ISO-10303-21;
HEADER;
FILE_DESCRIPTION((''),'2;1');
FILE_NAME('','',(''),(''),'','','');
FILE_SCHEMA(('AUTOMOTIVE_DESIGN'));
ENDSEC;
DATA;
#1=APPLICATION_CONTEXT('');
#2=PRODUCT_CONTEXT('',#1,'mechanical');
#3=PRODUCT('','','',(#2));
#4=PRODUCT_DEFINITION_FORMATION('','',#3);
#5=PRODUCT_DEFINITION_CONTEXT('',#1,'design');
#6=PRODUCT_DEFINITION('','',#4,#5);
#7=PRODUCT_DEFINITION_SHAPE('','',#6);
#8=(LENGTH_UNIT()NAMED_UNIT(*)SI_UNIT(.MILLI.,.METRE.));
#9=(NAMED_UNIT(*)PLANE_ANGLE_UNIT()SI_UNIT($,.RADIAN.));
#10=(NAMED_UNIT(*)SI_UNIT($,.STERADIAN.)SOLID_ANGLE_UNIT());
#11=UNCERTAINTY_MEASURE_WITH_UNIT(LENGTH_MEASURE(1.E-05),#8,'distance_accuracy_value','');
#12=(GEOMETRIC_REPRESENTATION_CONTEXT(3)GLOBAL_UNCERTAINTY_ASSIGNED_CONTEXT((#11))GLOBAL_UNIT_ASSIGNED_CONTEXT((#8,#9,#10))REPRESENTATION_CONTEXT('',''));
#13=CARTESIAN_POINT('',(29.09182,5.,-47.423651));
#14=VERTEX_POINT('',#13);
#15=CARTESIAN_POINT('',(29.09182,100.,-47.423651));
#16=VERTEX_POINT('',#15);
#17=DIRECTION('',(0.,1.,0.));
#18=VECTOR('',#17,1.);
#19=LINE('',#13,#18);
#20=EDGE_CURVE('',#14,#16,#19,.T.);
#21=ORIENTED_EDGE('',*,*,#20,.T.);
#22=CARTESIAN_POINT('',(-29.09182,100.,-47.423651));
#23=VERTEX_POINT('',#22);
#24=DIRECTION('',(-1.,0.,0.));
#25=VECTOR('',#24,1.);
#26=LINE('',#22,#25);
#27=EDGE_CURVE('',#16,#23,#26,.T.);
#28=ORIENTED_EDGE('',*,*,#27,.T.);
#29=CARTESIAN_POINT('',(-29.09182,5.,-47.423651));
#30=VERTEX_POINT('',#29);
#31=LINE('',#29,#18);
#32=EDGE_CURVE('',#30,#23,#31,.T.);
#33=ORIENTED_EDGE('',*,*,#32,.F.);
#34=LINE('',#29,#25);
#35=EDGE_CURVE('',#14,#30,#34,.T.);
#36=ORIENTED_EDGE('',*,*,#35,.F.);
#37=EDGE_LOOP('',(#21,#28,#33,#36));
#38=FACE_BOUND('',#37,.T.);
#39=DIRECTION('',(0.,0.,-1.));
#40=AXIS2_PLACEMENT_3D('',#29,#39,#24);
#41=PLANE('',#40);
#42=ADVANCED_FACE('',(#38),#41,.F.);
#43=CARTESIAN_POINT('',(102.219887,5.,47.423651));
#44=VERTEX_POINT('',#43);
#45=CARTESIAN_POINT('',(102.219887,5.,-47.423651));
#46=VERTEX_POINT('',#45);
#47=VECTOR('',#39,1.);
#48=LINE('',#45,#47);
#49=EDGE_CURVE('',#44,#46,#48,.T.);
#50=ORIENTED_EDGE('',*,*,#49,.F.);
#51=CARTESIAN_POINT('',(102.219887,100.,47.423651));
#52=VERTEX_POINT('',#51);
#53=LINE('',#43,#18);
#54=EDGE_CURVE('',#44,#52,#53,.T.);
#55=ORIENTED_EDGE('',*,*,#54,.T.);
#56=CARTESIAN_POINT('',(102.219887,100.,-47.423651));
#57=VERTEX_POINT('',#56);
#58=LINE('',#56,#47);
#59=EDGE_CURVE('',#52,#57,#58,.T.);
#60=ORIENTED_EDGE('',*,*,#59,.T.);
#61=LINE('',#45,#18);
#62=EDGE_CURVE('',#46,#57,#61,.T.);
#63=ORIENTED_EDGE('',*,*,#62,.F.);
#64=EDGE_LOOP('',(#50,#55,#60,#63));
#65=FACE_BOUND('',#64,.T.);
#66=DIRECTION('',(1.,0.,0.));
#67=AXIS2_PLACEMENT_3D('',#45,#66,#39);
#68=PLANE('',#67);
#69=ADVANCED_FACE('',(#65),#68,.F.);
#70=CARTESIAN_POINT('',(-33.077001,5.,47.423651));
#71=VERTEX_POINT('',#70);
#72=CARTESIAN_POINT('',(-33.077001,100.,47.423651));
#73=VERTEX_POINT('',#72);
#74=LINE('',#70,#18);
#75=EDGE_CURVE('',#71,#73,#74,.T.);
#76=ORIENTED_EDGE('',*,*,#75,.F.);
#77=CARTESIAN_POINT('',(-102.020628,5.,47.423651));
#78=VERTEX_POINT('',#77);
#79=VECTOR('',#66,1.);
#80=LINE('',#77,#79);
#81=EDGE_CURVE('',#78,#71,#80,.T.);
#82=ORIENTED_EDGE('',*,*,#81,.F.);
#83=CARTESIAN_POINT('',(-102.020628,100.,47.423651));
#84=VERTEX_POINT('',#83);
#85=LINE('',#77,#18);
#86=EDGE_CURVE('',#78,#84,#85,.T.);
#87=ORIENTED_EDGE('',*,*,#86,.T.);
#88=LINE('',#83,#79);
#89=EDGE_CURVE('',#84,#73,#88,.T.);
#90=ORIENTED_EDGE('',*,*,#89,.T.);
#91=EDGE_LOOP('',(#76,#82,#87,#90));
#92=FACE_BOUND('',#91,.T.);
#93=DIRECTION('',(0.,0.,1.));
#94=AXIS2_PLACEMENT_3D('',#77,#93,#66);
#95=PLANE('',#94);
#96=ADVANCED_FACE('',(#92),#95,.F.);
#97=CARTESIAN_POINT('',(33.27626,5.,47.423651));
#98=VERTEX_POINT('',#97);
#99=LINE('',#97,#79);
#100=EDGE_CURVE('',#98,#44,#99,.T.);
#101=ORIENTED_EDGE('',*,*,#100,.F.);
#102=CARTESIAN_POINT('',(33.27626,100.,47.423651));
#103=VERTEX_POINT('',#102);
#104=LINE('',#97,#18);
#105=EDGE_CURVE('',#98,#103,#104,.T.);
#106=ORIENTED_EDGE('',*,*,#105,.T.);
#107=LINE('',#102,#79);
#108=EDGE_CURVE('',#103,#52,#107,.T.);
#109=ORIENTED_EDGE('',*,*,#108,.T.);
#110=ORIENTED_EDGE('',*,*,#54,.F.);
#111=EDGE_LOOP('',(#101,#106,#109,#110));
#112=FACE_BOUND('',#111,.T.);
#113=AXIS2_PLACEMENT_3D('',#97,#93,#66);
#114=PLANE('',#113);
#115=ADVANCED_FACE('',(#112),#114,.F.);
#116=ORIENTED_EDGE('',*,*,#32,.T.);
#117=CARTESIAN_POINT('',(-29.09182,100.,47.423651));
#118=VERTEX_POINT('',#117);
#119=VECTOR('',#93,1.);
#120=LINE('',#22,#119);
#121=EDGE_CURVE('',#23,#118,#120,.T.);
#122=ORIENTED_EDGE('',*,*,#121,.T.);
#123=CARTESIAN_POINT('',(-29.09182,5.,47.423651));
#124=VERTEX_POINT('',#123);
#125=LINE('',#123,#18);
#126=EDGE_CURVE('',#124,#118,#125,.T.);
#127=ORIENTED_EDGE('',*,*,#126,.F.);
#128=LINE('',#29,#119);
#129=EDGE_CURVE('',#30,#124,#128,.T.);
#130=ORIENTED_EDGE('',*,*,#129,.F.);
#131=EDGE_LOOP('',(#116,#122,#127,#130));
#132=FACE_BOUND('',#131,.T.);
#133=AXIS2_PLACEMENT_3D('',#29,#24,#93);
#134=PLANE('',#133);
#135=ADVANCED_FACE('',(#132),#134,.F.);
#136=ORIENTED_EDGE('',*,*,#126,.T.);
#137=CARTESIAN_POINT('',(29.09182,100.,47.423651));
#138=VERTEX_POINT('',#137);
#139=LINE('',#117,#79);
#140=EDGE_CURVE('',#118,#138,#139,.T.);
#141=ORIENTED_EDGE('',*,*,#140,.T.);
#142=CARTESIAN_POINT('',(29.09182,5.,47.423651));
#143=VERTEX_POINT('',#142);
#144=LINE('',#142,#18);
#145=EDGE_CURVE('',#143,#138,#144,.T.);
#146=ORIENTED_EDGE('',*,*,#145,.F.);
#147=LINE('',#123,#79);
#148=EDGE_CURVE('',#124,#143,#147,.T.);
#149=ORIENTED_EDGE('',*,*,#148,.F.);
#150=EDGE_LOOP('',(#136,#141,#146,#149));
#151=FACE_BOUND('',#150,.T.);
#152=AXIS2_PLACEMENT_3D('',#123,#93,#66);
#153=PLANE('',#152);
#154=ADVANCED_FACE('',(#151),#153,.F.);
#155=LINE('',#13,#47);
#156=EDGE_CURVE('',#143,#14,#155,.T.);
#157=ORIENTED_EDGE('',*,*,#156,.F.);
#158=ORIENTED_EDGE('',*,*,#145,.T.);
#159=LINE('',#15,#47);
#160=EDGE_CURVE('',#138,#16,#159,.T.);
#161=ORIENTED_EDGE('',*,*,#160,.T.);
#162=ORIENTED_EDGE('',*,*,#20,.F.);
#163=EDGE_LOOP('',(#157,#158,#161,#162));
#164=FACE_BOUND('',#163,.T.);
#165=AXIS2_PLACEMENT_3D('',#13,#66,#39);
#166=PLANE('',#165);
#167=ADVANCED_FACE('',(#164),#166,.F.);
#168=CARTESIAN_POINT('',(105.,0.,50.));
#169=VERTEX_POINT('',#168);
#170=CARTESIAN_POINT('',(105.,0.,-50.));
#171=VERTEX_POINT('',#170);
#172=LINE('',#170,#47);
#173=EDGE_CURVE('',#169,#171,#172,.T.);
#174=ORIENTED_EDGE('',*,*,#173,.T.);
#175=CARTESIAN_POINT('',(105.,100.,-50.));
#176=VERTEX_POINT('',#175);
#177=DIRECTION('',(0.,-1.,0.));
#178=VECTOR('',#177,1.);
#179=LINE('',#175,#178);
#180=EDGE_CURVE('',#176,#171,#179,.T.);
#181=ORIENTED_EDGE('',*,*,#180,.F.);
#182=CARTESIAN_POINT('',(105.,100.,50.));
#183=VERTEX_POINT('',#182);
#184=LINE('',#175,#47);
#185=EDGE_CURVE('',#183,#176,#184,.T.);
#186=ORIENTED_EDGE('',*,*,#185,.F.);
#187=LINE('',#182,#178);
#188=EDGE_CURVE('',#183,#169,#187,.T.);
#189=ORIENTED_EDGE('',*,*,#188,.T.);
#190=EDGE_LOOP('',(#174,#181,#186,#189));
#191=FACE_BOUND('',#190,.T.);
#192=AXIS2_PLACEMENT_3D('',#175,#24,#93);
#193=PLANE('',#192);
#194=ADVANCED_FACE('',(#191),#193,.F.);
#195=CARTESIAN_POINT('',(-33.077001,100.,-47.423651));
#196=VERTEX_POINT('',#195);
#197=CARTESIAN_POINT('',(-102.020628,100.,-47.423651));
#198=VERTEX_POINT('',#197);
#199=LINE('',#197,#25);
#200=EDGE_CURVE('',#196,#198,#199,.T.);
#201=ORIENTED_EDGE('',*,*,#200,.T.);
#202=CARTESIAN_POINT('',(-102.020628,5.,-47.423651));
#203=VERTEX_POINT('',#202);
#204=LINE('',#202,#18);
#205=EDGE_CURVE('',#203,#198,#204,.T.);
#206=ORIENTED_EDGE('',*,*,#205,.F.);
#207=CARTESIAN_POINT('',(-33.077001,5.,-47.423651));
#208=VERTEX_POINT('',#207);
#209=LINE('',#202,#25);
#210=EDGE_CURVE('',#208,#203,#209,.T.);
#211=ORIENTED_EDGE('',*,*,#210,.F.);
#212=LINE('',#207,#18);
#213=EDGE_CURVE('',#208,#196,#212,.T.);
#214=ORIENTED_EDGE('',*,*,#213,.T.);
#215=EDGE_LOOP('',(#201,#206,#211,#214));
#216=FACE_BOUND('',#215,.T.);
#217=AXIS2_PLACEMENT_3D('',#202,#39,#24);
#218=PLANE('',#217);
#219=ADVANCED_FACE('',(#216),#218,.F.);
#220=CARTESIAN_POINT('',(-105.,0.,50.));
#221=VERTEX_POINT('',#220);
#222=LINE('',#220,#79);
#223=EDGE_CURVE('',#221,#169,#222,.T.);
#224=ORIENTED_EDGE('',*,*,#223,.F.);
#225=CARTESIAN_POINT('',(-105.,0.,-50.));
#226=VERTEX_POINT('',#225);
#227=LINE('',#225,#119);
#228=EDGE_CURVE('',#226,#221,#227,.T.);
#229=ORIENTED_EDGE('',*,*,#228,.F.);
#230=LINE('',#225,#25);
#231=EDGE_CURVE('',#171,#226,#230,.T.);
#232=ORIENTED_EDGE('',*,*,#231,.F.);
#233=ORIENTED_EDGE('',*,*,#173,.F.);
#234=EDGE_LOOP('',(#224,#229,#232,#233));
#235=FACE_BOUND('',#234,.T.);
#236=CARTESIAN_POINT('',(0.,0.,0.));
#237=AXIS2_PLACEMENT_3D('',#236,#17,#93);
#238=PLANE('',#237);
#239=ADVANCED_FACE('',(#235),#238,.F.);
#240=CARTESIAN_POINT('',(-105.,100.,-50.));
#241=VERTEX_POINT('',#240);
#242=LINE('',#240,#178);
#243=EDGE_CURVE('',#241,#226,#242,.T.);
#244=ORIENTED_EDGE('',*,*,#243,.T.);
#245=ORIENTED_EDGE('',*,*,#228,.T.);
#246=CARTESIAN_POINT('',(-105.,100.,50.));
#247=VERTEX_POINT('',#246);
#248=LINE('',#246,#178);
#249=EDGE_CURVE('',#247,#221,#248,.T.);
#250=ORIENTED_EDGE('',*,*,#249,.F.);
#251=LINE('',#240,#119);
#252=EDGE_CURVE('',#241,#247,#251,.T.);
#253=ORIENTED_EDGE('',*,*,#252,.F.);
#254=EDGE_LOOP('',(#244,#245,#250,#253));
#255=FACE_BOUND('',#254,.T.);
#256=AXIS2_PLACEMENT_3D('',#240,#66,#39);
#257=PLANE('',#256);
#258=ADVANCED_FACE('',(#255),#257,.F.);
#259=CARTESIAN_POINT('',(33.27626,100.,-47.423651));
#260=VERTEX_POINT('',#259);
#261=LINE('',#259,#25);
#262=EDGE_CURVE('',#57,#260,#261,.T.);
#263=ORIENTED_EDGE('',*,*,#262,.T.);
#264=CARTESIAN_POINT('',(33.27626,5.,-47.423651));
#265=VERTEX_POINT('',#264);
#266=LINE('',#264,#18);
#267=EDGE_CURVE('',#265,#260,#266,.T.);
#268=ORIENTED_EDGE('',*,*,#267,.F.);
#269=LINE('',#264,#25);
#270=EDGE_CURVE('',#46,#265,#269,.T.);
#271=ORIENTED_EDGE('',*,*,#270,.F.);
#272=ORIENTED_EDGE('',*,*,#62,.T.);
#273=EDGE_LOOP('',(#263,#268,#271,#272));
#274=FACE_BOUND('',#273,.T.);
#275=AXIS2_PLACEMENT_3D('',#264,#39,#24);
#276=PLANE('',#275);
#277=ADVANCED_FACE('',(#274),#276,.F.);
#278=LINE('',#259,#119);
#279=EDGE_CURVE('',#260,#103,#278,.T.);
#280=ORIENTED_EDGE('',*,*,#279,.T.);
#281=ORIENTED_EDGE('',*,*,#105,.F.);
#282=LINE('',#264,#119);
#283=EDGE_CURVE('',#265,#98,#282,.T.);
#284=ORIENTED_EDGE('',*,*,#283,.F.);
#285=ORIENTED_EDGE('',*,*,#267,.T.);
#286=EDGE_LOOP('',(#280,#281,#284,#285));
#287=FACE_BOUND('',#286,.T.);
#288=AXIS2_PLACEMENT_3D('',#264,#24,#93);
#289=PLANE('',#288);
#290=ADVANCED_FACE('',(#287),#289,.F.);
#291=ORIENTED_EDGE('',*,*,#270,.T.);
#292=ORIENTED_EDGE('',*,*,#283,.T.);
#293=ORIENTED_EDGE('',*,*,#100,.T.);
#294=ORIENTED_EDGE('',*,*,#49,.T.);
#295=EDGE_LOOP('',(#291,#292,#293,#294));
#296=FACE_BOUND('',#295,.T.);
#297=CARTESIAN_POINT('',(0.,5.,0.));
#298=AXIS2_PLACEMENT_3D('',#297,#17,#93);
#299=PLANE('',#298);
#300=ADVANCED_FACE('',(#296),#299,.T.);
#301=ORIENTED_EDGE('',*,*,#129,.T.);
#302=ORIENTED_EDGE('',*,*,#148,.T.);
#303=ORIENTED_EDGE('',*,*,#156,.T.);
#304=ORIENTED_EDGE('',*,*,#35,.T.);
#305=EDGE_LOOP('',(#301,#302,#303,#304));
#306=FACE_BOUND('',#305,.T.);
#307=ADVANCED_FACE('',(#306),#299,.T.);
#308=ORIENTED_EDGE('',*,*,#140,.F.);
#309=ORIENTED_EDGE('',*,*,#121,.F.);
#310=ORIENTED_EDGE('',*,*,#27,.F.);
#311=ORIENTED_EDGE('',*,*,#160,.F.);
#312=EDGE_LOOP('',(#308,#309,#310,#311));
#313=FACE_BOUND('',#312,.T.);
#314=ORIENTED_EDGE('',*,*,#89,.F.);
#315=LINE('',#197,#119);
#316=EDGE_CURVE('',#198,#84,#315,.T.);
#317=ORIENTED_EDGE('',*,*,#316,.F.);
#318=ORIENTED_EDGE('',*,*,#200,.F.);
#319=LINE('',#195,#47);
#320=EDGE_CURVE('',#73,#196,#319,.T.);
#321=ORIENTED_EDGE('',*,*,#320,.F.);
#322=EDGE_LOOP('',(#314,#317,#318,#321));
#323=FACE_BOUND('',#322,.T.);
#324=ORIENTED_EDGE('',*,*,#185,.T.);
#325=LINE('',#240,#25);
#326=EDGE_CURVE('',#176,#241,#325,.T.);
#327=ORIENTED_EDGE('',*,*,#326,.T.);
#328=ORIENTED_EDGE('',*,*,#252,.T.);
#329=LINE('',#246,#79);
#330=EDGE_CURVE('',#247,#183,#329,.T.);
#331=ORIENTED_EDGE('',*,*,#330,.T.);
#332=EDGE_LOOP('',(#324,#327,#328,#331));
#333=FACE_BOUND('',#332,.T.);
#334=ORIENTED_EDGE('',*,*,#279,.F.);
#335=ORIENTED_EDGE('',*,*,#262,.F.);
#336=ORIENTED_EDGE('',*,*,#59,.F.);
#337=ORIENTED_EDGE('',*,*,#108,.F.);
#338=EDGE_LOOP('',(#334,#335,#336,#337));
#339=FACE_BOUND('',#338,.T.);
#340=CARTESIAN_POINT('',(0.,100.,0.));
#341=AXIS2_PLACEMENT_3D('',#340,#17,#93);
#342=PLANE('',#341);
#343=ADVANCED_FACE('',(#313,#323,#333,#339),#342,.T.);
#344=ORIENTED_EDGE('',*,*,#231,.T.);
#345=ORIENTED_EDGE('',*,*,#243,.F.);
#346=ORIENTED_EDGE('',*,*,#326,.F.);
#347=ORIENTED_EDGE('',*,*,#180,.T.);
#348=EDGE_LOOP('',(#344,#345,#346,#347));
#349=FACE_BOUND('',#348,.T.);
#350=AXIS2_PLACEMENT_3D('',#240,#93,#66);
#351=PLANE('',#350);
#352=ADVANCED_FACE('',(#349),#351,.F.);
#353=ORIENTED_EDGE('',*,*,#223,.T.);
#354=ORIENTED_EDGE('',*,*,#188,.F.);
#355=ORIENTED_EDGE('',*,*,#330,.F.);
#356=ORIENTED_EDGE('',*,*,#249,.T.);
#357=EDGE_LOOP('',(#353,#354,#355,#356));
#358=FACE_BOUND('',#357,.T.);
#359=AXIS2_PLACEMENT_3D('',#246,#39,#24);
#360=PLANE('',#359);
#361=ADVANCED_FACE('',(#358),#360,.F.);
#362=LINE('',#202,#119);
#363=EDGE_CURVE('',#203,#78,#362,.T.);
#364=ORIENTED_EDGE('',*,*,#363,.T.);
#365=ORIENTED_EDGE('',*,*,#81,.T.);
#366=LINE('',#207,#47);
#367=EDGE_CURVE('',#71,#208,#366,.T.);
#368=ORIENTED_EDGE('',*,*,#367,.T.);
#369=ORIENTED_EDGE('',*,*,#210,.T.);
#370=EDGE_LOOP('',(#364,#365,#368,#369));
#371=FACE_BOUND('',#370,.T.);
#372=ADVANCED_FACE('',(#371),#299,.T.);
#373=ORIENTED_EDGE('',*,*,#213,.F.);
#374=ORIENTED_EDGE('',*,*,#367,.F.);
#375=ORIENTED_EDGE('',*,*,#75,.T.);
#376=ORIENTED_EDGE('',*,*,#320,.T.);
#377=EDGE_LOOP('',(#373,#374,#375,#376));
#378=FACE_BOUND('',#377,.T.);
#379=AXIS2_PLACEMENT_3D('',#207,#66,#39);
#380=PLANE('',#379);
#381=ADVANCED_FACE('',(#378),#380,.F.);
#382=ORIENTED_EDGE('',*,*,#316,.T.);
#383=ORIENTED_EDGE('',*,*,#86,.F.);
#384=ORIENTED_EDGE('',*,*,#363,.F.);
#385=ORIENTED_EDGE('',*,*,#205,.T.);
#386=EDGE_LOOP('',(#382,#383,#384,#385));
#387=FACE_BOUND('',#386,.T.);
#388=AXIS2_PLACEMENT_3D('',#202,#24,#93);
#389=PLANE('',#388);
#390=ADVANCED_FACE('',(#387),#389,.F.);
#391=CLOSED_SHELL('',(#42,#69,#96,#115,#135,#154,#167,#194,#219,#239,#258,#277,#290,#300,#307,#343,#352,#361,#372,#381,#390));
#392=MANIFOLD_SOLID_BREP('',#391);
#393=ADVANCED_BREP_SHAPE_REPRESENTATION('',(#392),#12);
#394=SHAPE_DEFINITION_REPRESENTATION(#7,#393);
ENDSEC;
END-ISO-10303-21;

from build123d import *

# Parameters (mm, degrees)
SKETCH1_W           = 210
SKETCH1_H           = 100
BOSS_EXTRUDE1_DEPTH = 100
SKETCH2_W           = 68.943627593
SKETCH2_H           = 94.8473027
SKETCH2_W_2         = 58.183639472
CUT_EXTRUDE1_DEPTH  = 95


with BuildPart() as part:
    # Sketch1 → Boss-Extrude1 (new body)
    with BuildSketch(Plane(origin=(0, 0, 0), x_dir=(1, 0, 0), z_dir=(0, 1, 0))):
        Rectangle(SKETCH1_W, SKETCH1_H)
    extrude(amount=BOSS_EXTRUDE1_DEPTH)

    # Sketch2 → Cut-Extrude1 (cut)
    with BuildSketch(Plane(origin=(0, 100, 0), x_dir=(1, 0, 0), z_dir=(0, 1, 0))):
        with Locations((-67.548814319, 0)):
            Rectangle(SKETCH2_W, SKETCH2_H)
        Rectangle(SKETCH2_W_2, SKETCH2_H)
        with Locations((67.748073358, 0)):
            Rectangle(SKETCH2_W, SKETCH2_H)
    extrude(amount=-CUT_EXTRUDE1_DEPTH, mode=Mode.SUBTRACT)


solid = part.part
